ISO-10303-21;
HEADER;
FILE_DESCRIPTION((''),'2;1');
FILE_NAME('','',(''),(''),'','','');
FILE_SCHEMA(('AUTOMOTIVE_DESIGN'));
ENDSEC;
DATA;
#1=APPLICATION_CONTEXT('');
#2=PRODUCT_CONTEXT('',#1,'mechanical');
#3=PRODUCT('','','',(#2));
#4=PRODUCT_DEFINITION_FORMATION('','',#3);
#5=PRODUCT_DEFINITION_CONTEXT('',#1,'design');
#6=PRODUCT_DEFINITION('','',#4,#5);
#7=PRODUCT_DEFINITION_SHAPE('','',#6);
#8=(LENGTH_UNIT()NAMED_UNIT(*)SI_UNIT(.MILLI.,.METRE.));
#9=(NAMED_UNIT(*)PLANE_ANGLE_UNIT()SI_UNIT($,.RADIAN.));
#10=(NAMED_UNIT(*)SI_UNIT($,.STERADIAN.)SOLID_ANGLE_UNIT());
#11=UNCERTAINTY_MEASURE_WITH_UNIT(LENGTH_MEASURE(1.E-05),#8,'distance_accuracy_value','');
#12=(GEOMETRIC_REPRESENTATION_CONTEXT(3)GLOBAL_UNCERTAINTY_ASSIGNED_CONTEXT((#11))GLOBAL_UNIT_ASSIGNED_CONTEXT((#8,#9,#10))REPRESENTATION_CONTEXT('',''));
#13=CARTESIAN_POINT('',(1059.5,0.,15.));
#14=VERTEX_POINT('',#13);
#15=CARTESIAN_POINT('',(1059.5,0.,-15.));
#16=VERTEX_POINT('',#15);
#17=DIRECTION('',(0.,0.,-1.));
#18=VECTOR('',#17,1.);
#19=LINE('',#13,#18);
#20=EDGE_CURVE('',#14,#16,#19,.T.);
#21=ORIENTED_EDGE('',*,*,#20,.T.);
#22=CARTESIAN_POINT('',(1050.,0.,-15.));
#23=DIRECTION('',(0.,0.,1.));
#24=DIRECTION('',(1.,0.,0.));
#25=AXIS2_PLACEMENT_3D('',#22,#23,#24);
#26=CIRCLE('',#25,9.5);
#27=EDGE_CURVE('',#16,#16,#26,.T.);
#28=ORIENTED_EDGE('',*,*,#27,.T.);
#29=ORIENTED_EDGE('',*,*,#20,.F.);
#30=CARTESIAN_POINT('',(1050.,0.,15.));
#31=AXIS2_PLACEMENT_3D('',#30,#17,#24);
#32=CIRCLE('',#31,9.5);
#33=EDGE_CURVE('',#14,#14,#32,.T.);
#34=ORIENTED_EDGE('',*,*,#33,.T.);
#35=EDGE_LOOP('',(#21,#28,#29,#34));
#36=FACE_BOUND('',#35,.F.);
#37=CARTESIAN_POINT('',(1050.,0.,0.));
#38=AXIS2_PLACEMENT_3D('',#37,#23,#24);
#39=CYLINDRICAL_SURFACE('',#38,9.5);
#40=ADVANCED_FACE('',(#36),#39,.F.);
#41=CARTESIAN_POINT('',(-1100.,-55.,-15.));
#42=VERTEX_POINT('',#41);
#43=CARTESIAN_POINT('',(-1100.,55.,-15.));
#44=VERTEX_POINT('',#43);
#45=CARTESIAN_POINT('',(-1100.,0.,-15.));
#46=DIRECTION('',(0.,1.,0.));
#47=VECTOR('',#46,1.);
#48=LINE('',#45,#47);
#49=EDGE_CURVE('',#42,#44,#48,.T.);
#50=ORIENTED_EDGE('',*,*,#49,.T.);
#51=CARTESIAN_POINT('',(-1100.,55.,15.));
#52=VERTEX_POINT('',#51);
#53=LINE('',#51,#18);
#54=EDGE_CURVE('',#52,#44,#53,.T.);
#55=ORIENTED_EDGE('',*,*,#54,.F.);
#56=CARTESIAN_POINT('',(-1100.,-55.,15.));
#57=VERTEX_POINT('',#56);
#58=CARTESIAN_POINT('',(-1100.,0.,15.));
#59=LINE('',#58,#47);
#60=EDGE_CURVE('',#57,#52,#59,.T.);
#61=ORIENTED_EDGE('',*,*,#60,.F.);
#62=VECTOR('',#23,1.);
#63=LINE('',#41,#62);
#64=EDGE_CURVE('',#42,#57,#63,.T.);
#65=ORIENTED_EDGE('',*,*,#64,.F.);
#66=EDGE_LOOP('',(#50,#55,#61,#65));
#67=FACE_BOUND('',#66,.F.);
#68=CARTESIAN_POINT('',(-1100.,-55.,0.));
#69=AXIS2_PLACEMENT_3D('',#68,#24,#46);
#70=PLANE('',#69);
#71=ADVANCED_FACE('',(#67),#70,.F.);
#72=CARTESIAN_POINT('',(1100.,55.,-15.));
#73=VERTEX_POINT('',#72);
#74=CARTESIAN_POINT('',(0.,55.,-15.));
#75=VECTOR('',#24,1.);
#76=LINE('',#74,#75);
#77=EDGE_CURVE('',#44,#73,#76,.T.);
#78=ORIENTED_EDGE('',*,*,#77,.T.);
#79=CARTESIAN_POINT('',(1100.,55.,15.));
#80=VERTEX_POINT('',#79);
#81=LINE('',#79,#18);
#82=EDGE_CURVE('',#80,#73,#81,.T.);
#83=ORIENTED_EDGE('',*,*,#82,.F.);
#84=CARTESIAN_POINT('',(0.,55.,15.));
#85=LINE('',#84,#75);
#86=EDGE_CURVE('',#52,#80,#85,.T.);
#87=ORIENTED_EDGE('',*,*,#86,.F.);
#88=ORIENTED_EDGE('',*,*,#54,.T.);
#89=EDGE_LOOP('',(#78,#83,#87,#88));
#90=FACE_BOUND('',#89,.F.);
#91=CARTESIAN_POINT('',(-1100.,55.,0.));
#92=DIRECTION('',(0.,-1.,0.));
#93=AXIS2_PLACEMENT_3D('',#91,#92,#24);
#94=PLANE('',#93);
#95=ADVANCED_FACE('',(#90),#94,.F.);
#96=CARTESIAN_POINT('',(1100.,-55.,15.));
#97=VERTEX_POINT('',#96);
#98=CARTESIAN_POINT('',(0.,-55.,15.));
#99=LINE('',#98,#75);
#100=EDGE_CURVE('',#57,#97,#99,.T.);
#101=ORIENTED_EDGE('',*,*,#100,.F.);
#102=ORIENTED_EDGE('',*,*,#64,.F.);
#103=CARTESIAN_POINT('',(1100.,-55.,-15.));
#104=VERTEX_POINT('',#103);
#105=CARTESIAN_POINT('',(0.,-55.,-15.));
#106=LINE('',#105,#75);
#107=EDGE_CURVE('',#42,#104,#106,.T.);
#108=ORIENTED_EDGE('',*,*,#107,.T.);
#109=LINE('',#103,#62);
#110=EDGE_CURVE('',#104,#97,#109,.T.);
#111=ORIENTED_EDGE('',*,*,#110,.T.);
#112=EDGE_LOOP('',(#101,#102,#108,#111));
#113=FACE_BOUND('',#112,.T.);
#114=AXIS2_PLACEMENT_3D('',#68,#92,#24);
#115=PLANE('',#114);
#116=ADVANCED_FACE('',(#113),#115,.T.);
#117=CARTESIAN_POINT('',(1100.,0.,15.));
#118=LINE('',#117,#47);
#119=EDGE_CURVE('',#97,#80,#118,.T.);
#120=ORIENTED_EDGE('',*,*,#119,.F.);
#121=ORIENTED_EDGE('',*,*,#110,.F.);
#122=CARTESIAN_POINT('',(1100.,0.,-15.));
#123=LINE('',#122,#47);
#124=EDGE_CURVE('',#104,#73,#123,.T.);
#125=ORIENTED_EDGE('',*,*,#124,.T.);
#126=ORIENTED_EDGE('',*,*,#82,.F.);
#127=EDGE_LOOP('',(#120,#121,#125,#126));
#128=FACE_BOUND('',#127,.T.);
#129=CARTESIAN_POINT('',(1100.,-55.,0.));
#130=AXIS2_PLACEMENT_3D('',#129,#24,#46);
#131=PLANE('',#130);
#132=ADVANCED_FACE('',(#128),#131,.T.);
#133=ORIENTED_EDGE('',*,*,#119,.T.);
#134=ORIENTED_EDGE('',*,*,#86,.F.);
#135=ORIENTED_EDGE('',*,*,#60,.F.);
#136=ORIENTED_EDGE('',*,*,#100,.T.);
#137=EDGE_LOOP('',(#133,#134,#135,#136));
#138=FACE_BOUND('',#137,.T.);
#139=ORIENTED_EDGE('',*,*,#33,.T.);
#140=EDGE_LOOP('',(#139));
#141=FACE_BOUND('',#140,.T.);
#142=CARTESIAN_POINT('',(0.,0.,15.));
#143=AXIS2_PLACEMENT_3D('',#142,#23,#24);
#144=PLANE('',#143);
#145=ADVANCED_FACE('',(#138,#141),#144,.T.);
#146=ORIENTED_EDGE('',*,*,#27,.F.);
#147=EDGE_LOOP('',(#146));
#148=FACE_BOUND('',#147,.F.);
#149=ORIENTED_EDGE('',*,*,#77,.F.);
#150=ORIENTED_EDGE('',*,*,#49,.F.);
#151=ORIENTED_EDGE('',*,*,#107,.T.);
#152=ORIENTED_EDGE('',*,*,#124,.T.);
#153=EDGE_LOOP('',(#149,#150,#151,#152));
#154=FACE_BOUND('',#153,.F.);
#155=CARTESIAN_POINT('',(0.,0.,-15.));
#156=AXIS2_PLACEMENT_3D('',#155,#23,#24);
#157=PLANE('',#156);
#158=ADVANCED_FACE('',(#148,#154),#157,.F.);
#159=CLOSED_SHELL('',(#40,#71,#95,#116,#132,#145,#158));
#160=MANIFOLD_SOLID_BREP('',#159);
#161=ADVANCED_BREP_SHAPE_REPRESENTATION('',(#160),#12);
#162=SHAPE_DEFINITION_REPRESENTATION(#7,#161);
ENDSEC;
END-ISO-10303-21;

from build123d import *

# Parameters (mm, degrees)
SKETCH_W          = 2200
SKETCH_H          = 110
PAD_DEPTH         = 15
SKETCH001_R       = 9.5
POCKET_DEPTH      = 15.001
POCKET_DEPTH_BACK = -15.001


with BuildPart() as part:
    # Sketch → Pad (new body, symmetric)
    with BuildSketch(Plane.XY):
        Rectangle(SKETCH_W, SKETCH_H)
    extrude(amount=PAD_DEPTH, both=True)

    # Sketch001 → Pocket (cut, two sides)
    with BuildSketch(Plane.XY) as pocket_sk:
        with Locations((1050, 0)):
            Circle(SKETCH001_R)
    extrude(amount=-POCKET_DEPTH, mode=Mode.SUBTRACT)
    extrude(pocket_sk.sketch, amount=-POCKET_DEPTH_BACK, mode=Mode.SUBTRACT)


solid = part.part
